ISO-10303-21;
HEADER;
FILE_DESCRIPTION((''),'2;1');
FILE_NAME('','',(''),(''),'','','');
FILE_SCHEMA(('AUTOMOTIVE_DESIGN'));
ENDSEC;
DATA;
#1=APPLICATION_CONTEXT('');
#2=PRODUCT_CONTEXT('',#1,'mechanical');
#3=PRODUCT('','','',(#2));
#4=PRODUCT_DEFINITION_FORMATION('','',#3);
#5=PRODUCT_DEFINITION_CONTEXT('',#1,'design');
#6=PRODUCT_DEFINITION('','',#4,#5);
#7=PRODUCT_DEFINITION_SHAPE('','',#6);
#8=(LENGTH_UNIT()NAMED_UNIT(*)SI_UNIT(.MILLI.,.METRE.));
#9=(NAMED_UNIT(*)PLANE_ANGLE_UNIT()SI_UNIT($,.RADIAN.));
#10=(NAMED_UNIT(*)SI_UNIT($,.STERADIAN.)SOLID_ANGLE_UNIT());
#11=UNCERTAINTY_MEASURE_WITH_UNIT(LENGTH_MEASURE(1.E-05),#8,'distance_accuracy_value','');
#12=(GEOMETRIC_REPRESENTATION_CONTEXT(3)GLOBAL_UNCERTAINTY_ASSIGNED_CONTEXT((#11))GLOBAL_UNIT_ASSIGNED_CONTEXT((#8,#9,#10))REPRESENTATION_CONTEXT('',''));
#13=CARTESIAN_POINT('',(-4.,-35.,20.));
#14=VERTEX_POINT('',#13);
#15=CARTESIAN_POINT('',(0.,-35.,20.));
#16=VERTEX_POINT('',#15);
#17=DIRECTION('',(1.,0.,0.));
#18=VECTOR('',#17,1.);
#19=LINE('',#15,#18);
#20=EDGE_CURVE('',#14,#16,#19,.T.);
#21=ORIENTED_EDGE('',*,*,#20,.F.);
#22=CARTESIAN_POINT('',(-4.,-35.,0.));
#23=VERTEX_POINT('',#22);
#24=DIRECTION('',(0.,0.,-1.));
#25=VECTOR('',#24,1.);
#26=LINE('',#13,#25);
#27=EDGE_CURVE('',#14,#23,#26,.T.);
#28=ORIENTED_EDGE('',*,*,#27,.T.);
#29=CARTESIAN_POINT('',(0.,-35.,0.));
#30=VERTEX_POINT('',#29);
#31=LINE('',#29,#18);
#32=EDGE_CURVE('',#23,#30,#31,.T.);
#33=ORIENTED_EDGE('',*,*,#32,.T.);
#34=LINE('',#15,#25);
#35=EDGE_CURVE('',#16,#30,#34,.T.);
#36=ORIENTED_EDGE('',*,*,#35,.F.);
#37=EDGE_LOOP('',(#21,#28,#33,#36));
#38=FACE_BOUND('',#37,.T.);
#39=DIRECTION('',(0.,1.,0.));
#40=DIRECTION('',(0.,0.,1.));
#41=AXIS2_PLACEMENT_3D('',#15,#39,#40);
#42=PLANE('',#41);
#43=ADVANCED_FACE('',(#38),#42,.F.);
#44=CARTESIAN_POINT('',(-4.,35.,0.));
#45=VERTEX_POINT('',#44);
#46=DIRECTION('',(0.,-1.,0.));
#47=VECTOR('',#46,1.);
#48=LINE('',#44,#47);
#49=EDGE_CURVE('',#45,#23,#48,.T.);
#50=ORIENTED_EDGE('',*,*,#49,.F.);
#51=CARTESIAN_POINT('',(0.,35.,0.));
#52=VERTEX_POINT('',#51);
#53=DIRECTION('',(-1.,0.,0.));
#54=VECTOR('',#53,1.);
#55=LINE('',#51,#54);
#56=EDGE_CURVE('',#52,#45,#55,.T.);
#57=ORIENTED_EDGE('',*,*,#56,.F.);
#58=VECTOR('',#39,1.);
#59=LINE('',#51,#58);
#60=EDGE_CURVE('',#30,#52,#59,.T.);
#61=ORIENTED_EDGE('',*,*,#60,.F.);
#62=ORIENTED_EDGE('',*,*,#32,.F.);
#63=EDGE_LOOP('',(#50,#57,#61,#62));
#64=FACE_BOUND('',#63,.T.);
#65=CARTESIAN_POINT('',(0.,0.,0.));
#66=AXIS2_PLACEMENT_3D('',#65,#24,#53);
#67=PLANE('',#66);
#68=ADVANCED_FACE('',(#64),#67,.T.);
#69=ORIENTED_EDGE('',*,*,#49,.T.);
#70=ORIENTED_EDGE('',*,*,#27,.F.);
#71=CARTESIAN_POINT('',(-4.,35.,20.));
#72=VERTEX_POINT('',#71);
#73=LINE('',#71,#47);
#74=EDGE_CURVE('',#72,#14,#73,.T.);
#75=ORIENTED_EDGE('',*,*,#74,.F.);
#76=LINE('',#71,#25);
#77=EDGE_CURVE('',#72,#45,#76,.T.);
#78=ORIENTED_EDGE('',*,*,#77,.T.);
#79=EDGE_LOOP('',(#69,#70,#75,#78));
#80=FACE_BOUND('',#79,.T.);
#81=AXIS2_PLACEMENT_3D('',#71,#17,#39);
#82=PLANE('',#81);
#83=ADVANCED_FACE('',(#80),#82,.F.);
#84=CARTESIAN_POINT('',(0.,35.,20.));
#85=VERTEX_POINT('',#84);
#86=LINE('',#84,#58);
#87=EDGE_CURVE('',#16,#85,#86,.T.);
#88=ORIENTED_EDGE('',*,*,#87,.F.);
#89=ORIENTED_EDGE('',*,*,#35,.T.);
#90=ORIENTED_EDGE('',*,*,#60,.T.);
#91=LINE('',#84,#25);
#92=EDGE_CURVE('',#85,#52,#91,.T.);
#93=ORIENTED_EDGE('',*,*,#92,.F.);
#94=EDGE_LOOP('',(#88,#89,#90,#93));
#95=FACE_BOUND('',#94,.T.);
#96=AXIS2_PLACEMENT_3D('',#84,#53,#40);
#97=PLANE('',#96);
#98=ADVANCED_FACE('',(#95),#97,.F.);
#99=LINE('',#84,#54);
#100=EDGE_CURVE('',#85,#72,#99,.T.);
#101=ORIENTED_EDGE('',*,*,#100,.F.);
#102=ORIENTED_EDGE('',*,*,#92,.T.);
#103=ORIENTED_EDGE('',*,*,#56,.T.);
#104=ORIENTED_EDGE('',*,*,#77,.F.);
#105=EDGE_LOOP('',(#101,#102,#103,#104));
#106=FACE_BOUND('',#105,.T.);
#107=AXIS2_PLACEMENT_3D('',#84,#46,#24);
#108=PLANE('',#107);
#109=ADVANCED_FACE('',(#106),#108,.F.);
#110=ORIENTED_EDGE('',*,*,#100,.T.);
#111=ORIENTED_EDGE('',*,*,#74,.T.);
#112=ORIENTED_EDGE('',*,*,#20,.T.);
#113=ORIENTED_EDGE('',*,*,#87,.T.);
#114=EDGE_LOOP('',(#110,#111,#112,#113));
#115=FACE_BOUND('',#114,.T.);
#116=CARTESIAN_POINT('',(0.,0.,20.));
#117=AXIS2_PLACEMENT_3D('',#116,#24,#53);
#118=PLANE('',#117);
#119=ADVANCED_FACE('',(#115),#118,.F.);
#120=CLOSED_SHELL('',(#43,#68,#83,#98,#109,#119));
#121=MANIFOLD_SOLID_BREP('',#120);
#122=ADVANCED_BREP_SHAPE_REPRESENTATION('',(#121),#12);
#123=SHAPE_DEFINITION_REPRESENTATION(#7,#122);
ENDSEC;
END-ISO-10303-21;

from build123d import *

# Parameters (mm, degrees)
SCHIZZO1_W                   = 4
SCHIZZO1_H                   = 70
ESTRUSIONE_ESTRUSIONE1_DEPTH = 20


with BuildPart() as part:
    # Schizzo1 → Estrusione-Estrusione1 (new body)
    with BuildSketch(Plane.XY):
        with Locations((-2, 0)):
            Rectangle(SCHIZZO1_W, SCHIZZO1_H)
    extrude(amount=ESTRUSIONE_ESTRUSIONE1_DEPTH)


solid = part.part
